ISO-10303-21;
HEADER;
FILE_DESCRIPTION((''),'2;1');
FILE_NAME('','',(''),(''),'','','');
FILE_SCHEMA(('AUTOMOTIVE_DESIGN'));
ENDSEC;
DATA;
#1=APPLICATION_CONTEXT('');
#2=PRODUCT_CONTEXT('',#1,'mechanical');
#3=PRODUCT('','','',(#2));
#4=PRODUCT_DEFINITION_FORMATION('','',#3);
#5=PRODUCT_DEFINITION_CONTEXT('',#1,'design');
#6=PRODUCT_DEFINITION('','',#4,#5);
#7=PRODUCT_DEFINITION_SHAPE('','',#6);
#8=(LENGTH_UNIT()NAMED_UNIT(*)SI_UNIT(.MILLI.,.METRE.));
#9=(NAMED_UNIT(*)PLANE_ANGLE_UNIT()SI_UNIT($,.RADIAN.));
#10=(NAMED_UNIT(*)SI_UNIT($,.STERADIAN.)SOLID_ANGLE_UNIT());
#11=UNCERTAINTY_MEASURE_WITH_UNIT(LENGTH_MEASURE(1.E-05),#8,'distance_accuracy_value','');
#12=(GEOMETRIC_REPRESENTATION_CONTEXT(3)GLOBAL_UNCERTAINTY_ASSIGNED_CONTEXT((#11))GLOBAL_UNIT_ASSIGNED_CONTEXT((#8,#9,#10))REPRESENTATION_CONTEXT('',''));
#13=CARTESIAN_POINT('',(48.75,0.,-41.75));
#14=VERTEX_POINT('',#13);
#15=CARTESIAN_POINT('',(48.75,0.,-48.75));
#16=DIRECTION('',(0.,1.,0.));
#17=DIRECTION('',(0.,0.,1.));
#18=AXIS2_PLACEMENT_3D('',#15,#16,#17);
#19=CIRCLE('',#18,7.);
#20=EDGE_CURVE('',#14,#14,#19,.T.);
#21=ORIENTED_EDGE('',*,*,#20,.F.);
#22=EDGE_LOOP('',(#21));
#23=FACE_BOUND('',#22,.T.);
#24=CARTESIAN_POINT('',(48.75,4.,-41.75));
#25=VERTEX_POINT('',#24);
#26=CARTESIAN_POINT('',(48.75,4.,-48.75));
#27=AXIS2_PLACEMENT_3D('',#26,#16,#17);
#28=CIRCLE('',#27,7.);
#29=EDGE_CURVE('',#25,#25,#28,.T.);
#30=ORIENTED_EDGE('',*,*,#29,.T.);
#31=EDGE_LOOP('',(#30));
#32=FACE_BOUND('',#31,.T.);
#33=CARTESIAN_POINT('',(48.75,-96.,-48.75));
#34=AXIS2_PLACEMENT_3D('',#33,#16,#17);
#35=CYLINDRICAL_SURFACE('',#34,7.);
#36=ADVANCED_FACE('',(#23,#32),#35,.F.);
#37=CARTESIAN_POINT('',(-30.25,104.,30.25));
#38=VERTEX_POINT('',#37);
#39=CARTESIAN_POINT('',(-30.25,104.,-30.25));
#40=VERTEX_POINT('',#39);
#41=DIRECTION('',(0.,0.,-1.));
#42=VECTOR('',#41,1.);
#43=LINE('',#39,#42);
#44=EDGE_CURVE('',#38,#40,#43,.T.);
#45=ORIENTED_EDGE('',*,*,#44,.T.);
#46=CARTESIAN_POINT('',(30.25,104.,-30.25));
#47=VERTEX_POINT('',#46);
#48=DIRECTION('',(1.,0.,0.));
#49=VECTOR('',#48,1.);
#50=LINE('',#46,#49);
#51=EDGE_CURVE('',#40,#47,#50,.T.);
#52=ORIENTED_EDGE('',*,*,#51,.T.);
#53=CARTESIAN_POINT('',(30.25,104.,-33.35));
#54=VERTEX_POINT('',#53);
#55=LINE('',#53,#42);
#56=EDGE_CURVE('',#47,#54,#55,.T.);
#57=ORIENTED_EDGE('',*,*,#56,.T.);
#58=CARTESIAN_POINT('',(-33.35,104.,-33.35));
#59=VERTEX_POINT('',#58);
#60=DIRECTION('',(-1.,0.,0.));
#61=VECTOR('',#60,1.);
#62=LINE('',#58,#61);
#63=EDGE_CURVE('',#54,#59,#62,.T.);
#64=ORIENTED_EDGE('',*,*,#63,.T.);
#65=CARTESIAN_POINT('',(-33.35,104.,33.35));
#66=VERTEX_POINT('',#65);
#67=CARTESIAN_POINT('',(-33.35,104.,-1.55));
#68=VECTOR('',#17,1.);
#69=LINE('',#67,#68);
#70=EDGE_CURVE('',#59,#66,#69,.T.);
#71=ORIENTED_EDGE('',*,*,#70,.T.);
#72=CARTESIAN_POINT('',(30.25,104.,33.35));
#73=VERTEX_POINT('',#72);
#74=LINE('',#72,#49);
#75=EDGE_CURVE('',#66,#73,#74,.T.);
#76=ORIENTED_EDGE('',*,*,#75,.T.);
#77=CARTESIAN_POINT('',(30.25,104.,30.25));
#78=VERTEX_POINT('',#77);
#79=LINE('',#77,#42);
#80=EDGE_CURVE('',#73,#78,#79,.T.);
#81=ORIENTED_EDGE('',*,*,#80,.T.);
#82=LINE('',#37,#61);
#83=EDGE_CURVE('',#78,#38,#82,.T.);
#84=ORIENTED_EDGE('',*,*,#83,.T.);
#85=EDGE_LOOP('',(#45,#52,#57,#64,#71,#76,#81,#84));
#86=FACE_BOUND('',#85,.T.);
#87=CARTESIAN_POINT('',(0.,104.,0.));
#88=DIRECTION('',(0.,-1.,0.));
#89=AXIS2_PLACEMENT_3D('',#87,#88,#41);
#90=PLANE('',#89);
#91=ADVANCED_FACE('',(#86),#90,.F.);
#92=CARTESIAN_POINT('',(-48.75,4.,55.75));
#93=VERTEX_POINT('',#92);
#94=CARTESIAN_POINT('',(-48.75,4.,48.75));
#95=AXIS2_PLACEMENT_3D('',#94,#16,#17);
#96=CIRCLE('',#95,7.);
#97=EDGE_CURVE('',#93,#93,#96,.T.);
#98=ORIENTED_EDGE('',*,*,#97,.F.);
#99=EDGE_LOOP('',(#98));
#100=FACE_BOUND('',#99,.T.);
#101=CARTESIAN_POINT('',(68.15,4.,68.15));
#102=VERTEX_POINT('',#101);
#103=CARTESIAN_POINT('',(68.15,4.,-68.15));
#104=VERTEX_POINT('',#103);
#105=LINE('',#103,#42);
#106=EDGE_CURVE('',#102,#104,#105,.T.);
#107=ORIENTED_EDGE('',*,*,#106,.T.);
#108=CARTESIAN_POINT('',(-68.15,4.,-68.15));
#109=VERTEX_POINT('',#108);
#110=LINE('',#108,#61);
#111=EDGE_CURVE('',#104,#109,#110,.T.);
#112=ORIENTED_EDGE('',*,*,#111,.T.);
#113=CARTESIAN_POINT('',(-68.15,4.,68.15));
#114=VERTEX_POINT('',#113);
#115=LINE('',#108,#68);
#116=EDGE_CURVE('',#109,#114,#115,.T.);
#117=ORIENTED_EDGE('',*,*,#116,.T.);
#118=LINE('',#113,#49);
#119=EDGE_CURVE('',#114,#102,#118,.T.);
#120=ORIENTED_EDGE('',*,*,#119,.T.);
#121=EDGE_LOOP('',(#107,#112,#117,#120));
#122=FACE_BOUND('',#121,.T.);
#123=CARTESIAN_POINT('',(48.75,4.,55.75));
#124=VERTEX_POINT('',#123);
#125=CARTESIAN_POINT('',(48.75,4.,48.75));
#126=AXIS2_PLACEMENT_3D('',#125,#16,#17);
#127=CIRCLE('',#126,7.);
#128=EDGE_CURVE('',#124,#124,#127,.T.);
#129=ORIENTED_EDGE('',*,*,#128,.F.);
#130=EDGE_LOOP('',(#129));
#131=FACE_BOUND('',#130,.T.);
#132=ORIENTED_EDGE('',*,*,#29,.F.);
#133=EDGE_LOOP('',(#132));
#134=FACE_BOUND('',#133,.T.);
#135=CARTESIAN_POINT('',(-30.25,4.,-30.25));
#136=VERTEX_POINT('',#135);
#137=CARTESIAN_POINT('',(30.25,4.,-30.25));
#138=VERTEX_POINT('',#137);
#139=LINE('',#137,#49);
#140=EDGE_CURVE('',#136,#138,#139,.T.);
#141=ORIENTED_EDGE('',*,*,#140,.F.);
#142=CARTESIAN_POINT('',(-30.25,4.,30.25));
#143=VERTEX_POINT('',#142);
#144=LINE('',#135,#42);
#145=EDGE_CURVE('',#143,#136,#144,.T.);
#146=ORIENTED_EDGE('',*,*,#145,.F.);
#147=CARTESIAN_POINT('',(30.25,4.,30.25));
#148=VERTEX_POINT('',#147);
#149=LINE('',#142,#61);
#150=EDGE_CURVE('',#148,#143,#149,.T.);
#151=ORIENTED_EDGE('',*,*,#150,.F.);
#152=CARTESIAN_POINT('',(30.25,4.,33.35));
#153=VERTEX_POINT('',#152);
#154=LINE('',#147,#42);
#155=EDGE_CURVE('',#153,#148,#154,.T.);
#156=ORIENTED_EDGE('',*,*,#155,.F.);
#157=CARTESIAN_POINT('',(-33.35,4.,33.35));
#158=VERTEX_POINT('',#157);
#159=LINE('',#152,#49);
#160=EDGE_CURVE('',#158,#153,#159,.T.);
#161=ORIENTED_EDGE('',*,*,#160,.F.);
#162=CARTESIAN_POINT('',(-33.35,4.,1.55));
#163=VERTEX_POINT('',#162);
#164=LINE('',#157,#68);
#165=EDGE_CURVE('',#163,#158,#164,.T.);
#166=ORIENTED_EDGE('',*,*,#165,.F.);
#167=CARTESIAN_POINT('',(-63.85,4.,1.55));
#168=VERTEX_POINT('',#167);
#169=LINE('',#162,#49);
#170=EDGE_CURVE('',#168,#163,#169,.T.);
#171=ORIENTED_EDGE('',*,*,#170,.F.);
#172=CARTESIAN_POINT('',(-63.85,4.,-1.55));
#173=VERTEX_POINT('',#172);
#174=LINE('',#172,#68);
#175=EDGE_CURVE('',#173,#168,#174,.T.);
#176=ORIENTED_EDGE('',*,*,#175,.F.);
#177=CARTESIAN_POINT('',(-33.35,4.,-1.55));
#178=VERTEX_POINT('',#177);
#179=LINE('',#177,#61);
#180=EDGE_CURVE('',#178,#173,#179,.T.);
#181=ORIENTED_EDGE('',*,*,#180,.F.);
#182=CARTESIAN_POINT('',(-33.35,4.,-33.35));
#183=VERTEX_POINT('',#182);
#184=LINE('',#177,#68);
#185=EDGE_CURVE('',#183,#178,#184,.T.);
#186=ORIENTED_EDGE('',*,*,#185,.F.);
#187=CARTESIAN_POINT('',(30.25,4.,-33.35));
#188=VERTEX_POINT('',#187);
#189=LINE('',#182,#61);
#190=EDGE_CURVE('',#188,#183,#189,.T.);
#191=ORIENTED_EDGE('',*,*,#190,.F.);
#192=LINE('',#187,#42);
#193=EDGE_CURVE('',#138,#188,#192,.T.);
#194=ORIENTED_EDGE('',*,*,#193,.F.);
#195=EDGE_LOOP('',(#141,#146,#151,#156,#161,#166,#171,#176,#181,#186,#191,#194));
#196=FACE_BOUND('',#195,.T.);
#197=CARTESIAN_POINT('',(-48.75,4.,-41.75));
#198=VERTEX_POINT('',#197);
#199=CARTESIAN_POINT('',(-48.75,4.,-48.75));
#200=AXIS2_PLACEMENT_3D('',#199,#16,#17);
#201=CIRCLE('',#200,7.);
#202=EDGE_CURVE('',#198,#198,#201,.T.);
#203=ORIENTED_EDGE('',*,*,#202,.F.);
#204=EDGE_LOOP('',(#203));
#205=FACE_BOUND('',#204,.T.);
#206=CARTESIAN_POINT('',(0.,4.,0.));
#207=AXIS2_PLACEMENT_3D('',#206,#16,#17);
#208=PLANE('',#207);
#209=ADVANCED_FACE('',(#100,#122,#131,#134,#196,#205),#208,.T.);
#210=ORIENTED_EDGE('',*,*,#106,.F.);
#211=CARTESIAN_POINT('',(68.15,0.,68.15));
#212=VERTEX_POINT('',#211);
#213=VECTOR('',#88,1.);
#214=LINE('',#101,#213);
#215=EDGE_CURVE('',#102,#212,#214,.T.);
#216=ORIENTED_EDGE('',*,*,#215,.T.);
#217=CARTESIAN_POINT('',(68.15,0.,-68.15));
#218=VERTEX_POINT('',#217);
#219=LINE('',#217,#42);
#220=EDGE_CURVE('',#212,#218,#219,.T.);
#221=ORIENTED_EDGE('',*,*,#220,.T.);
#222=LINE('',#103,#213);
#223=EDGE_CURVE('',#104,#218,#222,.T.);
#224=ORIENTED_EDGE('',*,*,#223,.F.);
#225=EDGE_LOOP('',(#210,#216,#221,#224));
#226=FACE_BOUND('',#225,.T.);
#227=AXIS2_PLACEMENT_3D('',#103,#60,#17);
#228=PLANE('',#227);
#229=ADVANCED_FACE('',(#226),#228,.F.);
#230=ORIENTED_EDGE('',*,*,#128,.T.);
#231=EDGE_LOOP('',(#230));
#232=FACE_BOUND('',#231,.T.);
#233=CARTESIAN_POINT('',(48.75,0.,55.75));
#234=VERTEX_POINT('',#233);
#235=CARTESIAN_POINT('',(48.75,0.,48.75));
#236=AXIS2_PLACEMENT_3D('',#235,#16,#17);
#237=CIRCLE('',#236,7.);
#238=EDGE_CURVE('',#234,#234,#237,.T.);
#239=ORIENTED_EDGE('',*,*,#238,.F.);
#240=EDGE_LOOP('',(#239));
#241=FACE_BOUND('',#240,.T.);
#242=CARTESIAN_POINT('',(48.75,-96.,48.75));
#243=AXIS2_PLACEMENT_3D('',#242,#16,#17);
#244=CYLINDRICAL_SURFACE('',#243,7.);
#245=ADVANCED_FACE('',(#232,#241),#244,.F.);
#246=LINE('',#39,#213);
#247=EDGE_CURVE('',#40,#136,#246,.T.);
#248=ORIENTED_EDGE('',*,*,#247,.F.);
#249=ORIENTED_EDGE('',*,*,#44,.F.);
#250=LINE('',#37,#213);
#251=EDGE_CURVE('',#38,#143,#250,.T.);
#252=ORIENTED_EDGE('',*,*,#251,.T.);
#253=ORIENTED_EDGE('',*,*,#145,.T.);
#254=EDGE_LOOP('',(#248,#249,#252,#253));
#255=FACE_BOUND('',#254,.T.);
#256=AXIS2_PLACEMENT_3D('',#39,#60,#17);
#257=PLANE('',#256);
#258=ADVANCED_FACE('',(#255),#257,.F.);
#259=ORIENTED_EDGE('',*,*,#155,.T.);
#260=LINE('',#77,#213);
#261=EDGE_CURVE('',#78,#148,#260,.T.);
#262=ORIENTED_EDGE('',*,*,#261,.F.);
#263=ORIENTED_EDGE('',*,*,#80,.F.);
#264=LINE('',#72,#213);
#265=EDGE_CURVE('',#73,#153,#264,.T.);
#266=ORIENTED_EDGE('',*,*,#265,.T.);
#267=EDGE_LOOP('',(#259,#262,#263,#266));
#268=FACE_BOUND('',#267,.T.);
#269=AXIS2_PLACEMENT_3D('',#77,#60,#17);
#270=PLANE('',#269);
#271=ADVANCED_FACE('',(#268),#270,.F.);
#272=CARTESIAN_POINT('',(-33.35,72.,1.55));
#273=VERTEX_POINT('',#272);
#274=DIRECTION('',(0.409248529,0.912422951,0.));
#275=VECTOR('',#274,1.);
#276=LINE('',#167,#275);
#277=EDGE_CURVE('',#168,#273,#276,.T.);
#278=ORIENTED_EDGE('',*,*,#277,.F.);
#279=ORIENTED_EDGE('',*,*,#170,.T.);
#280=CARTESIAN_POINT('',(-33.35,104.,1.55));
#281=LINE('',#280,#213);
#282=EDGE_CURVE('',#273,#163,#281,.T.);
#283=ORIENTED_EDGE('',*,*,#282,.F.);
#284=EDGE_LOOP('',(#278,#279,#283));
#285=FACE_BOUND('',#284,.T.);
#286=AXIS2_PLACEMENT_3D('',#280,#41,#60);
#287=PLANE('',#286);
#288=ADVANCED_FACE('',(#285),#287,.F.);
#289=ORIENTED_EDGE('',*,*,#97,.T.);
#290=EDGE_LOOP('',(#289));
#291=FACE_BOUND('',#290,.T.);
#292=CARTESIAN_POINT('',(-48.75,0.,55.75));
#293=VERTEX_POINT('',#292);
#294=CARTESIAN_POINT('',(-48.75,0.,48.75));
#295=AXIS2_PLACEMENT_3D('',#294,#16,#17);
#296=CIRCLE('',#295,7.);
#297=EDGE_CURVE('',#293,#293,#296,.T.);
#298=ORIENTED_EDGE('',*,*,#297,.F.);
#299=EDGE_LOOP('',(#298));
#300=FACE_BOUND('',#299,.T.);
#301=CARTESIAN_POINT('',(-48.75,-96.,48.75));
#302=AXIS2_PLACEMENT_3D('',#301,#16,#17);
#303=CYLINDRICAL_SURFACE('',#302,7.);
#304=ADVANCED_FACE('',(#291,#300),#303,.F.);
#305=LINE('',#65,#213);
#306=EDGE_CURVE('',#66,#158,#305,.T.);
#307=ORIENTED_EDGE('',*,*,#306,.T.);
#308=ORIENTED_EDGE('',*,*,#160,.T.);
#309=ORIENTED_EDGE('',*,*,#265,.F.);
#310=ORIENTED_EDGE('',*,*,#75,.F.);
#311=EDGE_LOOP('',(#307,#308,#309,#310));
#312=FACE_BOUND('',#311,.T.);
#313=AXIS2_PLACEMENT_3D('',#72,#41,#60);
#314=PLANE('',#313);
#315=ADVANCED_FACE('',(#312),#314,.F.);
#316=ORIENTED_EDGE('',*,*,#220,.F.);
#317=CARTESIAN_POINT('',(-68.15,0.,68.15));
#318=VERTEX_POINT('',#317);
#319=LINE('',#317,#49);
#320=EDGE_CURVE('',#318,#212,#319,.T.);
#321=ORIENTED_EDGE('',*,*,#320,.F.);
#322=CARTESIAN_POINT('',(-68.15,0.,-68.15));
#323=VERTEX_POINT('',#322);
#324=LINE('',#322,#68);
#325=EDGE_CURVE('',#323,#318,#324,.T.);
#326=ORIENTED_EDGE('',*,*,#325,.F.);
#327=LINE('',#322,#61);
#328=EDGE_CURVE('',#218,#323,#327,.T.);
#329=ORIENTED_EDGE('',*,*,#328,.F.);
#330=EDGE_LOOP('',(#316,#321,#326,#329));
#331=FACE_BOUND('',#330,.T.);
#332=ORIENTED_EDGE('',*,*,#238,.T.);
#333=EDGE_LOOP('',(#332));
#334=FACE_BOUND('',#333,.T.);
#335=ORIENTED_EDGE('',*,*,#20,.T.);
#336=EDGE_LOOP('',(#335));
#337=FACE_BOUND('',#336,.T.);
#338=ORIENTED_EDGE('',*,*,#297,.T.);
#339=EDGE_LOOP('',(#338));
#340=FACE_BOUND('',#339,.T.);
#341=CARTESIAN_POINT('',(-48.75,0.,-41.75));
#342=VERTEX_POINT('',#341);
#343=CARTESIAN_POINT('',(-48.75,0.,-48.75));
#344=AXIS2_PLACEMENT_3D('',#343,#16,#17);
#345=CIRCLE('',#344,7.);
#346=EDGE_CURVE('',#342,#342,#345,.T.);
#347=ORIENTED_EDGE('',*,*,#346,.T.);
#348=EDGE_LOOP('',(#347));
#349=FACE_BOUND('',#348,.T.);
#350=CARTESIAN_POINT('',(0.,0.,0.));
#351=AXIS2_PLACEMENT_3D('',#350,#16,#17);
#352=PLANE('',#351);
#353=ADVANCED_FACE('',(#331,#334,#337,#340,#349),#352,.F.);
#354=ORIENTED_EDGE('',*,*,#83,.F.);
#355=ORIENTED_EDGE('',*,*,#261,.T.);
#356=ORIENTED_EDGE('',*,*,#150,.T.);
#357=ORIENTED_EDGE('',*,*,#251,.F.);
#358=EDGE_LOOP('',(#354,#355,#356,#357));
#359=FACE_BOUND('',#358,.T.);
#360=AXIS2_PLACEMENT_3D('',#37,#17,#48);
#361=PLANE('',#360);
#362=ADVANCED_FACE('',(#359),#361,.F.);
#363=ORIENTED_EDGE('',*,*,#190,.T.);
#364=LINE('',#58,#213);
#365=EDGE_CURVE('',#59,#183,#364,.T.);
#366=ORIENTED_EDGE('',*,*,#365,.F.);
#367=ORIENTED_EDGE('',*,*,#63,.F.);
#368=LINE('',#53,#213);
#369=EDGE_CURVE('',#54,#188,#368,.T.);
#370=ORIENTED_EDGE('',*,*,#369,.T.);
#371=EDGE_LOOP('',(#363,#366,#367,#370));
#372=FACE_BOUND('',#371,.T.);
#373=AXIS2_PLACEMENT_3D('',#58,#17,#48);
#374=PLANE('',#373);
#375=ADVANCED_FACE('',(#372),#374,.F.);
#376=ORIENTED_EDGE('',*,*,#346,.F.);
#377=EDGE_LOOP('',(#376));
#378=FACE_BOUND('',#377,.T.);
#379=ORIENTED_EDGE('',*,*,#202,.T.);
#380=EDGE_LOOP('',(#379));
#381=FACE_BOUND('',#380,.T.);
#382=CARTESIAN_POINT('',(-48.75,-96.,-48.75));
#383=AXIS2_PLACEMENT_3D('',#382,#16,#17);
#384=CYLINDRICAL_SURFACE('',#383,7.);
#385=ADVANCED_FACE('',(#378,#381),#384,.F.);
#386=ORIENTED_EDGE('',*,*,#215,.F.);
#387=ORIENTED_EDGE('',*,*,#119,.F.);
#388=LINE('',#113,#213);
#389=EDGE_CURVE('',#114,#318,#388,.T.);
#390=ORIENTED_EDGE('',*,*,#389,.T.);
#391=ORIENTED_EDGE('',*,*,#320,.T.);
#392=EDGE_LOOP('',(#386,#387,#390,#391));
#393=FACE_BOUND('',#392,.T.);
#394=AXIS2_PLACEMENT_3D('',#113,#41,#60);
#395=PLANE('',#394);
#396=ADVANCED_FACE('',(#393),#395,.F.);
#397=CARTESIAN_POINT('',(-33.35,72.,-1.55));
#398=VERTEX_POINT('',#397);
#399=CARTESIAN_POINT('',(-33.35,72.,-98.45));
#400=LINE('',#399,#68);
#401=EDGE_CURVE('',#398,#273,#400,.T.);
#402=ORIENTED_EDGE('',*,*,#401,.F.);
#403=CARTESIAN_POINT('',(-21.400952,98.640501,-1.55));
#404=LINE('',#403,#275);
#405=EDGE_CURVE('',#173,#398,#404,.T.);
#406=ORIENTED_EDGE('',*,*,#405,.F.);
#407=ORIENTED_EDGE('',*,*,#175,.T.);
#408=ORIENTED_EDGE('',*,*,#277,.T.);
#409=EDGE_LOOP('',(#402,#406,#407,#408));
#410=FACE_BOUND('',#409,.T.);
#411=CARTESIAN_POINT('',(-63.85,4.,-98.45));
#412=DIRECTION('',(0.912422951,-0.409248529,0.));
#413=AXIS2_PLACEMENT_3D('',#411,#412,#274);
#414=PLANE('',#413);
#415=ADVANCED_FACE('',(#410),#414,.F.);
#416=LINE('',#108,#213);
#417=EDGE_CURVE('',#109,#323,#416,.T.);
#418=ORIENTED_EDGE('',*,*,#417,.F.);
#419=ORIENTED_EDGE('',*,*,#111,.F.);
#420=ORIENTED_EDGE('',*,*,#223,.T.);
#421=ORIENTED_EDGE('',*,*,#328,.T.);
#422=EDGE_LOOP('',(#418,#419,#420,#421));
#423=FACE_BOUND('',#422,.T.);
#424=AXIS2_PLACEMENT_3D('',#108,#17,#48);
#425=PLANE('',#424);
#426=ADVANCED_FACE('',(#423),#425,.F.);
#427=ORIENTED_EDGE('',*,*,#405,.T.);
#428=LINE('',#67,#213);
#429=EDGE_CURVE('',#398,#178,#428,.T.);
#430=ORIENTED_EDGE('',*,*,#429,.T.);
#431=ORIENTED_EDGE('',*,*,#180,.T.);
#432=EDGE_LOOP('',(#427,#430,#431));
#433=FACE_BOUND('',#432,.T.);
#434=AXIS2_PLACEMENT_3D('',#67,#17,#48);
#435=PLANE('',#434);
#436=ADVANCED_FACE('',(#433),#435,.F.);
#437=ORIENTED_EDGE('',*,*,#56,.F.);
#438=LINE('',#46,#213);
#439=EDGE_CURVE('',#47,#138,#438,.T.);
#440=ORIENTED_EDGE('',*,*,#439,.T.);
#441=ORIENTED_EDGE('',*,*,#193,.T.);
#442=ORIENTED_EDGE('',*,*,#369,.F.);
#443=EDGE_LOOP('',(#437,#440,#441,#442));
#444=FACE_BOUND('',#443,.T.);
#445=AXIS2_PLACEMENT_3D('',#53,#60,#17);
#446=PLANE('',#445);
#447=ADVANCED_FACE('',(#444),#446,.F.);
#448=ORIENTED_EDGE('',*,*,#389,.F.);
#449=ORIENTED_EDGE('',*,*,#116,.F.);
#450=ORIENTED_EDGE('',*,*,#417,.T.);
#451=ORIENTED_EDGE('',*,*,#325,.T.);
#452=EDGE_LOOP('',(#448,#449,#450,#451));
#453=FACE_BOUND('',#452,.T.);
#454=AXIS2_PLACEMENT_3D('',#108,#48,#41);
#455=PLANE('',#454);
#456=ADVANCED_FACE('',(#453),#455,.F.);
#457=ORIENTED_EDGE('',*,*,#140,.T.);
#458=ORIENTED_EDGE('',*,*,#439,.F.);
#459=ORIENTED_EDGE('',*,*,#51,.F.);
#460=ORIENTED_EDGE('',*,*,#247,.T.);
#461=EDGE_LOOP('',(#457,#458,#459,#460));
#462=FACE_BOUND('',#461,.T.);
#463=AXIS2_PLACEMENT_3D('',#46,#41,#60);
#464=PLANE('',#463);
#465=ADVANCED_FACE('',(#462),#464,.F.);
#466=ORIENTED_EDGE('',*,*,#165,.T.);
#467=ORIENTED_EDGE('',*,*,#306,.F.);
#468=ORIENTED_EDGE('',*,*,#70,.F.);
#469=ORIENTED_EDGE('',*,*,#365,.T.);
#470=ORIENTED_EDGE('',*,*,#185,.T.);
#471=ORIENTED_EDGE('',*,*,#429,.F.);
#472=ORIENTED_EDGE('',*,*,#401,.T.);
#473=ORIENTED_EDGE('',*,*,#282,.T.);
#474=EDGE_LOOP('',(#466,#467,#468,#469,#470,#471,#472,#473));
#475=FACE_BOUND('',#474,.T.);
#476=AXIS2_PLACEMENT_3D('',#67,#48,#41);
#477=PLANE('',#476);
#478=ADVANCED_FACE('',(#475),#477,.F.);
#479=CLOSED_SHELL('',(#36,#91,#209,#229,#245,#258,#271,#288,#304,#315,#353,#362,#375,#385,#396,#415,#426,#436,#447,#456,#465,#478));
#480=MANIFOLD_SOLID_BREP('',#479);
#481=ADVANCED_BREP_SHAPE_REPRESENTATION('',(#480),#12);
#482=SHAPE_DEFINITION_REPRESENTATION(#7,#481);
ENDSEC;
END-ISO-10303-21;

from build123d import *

# Parameters (mm, degrees)
SKETCH_1_W          = 136.3
SKETCH_1_H          = 136.3
EXTRUDE_1_DEPTH     = 4
EXTRUDE_2_DEPTH     = 100
CUT_EXTRUDE_1_DEPTH = 100
SKETCH_5_R          = 7
CUT_EXTRUDE_2_DEPTH = 100


with BuildPart() as part:
    # 草图1 → 凸台-拉伸1 (new body)
    with BuildSketch(Plane(origin=(0, 0, 0), x_dir=(1, 0, 0), z_dir=(0, 1, 0))):
        Rectangle(SKETCH_1_W, SKETCH_1_H)
    extrude(amount=EXTRUDE_1_DEPTH)

    # 草图2 → 凸台-拉伸2 (add)
    with BuildSketch(Plane(origin=(0, 4, 0), x_dir=(1, 0, 0), z_dir=(0, 1, 0))):
        Polygon((30.25, 30.25), (-30.25, 30.25), (-30.25, -30.25), (30.25, -30.25), (30.25, -33.35), (-33.35, -33.35), (-33.35, -1.55), (-63.85, -1.55), (-63.85, 1.55), (-33.35, 1.55), (-33.35, 33.35), (30.25, 33.35), align=None)
    extrude(amount=EXTRUDE_2_DEPTH)

    # 草图3 → 切除-拉伸1 (cut)
    with BuildSketch(Plane.XY.offset(1.55)):
        Polygon((-63.85, 4), (-33.35, 72), (-33.35, 104), (-63.85, 104), align=None)
    extrude(amount=-CUT_EXTRUDE_1_DEPTH, mode=Mode.SUBTRACT)

    # 草图5 → 切除-拉伸2 (cut)
    with BuildSketch(Plane(origin=(0, 4, 0), x_dir=(1, 0, 0), z_dir=(0, 1, 0))):
        with Locations(Location((48.75, 48.75, 0), (0, 0, 270))):
            Circle(SKETCH_5_R)
        with Locations(Location((48.75, -48.75, 0), (0, 0, 270))):
            Circle(SKETCH_5_R)
        with Locations(Location((-48.75, -48.75, 0), (0, 0, 270))):
            Circle(SKETCH_5_R)
        with Locations(Location((-48.75, 48.75, 0), (0, 0, 270))):
            Circle(SKETCH_5_R)
    extrude(amount=-CUT_EXTRUDE_2_DEPTH, mode=Mode.SUBTRACT)


solid = part.part
